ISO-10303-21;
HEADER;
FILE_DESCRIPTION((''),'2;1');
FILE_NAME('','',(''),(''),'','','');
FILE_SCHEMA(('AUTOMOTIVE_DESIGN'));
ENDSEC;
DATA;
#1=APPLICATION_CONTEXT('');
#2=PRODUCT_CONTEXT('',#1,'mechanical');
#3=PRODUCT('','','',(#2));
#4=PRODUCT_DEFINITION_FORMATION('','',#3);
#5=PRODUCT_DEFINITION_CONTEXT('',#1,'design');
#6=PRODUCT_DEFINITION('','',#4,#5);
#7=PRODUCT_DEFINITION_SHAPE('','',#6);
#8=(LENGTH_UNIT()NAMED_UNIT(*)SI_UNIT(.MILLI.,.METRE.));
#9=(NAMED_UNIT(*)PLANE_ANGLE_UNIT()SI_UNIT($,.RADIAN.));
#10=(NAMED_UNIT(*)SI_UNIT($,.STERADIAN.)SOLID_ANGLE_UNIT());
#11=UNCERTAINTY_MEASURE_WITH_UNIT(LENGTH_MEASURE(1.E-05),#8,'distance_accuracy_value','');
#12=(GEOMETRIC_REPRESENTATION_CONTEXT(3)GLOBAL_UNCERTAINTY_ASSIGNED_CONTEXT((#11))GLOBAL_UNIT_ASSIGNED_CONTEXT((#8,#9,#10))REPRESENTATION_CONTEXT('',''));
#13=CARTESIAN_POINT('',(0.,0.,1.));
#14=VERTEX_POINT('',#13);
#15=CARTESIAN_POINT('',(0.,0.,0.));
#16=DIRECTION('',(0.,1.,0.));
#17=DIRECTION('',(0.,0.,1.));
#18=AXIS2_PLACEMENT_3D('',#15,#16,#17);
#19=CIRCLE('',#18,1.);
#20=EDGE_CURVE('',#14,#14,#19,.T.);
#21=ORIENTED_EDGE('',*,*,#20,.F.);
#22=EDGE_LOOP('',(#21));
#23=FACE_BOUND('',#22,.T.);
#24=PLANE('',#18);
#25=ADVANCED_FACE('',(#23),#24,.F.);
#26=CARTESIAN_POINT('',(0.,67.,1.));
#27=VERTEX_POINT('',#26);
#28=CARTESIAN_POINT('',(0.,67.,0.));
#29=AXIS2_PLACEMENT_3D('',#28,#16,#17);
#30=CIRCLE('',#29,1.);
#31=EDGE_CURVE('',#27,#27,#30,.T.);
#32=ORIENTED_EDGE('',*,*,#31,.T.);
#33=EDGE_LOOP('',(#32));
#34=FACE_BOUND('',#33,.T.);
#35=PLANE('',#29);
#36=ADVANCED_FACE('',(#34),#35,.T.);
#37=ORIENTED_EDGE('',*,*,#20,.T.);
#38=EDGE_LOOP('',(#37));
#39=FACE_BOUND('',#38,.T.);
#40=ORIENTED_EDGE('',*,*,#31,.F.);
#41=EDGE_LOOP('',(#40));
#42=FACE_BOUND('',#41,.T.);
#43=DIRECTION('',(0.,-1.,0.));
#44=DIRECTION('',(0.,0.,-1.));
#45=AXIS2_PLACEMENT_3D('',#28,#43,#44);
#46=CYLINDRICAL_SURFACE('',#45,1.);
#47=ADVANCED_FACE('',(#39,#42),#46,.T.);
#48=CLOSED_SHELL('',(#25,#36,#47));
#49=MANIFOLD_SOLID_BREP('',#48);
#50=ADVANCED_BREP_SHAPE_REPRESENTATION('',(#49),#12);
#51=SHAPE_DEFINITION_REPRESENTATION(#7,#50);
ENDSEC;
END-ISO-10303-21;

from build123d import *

# Parameters (mm, degrees)
SKETCH_1_R      = 1
EXTRUDE_1_DEPTH = 67


with BuildPart() as part:
    # 草图1 → 凸台-拉伸1 (new body)
    with BuildSketch(Plane(origin=(0, 0, 0), x_dir=(1, 0, 0), z_dir=(0, 1, 0))):
        with Locations(Location((0, 0, 0), (0, 0, 270))):
            Circle(SKETCH_1_R)
    extrude(amount=EXTRUDE_1_DEPTH)


solid = part.part
